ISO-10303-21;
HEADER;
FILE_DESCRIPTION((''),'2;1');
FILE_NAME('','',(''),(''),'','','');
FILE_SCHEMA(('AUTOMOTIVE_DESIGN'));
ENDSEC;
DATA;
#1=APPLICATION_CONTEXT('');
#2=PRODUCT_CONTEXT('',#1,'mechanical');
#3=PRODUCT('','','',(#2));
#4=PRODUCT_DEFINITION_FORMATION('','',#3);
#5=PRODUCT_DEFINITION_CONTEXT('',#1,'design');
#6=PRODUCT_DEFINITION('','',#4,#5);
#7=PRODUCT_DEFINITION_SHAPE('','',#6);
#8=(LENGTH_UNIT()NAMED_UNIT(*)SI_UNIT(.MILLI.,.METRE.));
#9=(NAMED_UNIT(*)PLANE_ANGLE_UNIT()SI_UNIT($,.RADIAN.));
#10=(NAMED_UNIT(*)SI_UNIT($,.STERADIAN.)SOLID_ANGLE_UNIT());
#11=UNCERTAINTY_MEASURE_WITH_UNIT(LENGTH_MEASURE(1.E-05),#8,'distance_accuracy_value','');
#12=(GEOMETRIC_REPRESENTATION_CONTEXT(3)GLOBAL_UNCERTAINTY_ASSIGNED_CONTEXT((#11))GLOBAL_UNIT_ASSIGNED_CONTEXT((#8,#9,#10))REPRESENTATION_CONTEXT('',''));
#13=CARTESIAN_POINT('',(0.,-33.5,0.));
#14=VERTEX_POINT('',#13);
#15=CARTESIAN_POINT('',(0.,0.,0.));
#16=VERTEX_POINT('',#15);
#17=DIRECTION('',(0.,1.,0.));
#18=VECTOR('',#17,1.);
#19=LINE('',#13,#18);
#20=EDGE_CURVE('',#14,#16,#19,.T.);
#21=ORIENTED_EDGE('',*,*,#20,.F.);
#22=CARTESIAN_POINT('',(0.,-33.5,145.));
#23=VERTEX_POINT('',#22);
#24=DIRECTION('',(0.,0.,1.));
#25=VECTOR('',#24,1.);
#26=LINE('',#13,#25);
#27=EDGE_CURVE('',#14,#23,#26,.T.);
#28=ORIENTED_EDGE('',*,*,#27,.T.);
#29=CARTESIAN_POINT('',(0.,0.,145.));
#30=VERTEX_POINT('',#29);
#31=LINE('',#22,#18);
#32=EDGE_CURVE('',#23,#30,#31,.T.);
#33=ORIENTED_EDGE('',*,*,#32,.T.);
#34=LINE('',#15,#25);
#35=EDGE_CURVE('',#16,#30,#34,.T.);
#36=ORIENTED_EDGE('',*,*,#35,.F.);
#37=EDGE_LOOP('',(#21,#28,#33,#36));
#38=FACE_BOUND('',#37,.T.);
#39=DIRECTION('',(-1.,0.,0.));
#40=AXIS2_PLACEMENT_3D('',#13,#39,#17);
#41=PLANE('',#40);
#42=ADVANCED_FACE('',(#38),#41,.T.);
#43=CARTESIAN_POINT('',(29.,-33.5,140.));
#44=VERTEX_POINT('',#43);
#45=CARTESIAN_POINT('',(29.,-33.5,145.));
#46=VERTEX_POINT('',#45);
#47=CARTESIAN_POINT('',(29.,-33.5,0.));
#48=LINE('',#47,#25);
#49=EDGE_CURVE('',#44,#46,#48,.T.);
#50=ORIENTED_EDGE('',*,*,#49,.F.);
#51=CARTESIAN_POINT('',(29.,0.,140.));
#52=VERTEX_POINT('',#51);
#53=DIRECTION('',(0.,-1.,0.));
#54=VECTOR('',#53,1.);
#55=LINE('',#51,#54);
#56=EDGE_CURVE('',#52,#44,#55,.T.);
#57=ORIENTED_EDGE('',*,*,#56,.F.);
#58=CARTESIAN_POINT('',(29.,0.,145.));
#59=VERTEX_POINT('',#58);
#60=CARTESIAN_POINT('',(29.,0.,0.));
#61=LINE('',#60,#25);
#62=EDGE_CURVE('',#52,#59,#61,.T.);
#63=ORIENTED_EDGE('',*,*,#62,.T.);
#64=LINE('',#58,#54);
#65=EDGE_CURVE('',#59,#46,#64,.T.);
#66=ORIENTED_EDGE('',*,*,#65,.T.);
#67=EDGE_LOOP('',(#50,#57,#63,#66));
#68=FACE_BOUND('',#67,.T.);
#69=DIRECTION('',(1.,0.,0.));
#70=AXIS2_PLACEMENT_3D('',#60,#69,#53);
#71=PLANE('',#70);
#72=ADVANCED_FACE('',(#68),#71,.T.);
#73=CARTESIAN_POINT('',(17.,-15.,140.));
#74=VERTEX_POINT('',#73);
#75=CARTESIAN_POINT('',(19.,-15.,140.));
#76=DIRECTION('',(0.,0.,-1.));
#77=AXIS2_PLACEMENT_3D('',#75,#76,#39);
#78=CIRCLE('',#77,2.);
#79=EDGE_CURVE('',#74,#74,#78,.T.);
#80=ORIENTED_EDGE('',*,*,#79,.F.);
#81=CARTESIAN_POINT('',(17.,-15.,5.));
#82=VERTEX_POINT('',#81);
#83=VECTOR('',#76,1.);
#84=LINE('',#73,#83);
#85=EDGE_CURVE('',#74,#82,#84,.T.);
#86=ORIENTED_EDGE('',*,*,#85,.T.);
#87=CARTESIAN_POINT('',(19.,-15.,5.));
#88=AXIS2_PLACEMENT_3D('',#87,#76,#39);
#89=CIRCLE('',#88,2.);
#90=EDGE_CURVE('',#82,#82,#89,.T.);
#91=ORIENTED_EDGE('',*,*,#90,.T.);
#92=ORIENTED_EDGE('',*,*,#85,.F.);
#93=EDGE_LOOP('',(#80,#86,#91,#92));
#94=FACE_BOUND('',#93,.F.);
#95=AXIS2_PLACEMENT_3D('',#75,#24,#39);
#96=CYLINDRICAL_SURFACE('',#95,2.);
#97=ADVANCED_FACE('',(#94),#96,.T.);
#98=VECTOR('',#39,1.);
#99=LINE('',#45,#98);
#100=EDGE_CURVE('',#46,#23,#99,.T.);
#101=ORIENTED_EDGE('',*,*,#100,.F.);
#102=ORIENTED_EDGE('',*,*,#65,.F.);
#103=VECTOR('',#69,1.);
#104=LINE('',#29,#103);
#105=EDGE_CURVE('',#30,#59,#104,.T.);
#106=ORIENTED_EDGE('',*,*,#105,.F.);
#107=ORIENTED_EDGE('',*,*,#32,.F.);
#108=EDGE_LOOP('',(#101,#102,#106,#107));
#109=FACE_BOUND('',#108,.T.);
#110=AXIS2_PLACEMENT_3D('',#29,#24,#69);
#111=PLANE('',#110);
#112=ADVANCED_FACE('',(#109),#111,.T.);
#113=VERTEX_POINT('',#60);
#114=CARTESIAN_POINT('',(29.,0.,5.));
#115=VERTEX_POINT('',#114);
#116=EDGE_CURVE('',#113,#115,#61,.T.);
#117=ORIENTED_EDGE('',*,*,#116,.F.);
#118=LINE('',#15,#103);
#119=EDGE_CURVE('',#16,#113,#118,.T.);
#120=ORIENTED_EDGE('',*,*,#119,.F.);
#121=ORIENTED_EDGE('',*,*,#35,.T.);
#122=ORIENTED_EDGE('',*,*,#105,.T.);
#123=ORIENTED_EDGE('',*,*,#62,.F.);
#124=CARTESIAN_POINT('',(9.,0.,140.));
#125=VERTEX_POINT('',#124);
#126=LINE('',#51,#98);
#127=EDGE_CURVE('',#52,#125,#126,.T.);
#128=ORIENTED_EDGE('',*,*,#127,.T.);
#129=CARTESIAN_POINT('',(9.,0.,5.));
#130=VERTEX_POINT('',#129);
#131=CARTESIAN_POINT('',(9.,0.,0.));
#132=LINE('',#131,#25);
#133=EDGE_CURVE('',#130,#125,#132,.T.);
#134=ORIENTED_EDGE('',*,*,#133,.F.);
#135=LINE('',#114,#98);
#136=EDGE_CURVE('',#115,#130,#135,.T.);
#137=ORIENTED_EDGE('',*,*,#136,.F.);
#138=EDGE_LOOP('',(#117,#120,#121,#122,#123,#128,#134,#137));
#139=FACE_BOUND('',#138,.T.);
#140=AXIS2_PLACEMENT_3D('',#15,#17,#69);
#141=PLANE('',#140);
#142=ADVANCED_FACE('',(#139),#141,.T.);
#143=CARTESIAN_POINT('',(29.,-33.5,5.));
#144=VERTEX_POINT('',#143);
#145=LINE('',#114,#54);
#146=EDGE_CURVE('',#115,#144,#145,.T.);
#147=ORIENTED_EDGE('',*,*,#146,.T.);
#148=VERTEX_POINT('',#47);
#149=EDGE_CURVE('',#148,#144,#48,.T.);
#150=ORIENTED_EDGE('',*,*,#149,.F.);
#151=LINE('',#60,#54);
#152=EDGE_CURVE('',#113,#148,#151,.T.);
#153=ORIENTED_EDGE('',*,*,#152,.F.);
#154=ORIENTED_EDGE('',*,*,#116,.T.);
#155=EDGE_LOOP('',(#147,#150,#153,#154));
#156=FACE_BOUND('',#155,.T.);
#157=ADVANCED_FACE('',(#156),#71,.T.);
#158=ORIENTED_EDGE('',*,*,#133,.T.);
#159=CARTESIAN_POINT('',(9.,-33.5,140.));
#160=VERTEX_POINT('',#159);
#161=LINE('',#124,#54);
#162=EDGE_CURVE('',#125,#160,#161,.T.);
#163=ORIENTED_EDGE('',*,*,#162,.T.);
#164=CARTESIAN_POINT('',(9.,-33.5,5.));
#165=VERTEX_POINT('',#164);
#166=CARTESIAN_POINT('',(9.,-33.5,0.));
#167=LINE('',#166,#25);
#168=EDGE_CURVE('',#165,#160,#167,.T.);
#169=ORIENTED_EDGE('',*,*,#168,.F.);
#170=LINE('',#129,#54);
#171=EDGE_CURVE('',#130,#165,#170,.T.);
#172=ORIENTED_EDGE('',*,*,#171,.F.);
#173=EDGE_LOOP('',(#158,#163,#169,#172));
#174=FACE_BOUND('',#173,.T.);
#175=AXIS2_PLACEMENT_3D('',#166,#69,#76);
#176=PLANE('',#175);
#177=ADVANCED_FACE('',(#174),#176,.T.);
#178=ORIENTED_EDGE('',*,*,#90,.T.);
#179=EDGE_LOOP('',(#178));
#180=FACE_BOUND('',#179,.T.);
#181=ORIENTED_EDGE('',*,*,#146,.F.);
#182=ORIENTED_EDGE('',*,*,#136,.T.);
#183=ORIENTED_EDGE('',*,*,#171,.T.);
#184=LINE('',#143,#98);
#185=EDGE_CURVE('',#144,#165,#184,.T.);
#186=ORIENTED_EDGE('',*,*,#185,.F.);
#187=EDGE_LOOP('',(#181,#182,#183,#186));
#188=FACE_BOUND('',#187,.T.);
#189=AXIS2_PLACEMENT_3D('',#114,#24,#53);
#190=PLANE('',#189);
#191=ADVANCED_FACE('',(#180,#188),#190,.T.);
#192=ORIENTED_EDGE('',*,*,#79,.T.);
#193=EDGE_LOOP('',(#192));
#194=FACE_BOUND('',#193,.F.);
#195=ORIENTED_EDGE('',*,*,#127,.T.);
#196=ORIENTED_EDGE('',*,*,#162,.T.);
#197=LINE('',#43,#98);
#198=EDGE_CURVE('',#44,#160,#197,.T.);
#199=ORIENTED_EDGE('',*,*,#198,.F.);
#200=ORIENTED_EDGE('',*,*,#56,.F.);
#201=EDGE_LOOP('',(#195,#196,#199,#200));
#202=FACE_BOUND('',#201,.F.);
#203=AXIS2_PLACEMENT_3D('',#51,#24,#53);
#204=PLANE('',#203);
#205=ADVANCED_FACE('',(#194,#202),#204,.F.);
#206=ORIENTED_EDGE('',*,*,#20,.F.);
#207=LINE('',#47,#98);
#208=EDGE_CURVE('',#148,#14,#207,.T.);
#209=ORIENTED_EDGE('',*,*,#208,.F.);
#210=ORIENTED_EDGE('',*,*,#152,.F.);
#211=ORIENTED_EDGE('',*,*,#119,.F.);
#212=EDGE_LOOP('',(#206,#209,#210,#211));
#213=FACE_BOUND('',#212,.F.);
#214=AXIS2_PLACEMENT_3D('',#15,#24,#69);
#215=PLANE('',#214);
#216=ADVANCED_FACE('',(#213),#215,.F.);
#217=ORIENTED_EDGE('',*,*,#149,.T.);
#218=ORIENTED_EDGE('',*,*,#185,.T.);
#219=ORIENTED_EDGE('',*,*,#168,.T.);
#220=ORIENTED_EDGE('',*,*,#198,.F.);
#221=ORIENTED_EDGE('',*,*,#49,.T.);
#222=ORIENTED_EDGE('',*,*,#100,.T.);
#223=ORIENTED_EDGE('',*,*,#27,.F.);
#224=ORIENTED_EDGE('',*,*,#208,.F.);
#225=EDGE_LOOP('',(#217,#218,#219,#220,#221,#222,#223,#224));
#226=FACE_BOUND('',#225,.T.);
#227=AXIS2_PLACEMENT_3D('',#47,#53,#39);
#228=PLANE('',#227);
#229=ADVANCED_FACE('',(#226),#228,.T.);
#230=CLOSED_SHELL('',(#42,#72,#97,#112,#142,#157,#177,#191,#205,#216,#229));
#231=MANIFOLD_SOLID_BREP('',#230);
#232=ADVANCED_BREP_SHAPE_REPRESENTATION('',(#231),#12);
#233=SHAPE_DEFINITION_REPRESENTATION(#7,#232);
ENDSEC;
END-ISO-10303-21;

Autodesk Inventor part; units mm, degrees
ref_plane "YZ Plane" through (0, 0, 0) normal (1, 0, 0) x (0, 1, 0)
ref_plane "XZ Plane" through (0, 0, 0) normal (0, 1, 0) x (-1, 0, 0)
ref_plane "XY Plane" through (0, 0, 0) normal (0, 0, 1) x (1, 0, 0)
sketch "스케치1" plane through (0, 0, 0) normal (0, 0, 1) x (1, 0, 0)
  line L0 (0, 0) -> (29, 0)
  line L1 (29, 0) -> (29, -33.5)
  line L2 (29, -33.5) -> (0, -33.5)
  line L3 (0, -33.5) -> (0, 0)
  dimension "d0" = 29
  dimension "d1" = 33.5
extrude "돌출1" add sketch "스케치1" along normal blind 145
sketch "스케치2" plane through (29, -33.5, 0) normal (1, 0, 0) x (0, 0, -1)
  line L0 (0, 0) -> (0, 33.5) projected
  line L1 (0, 33.5) -> (-145, 33.5) projected
  line L2 (-145, 0) -> (-145, 33.5) projected
  line L3 (0, 0) -> (-145, 0) projected
  line L4 (-140, 33.5) -> (-140, 0)
  line L5 (-5, 33.5) -> (-5, 0)
  dimension "d4" = 5
  dimension "d5" = 5
extrude "돌출2" cut sketch "스케치2" against normal blind 20 contours L3 L4 L1 L5
sketch "스케치3" plane through (29, -33.5, 140) normal (0, 0, -1) x (-1, 0, 0)
  line L0 (0, 0) -> (0, 33.5) projected
  line L1 (20, 0) -> (0, 0) projected
  line L2 (20, 0) -> (20, 33.5) projected
  line L3 (0, 33.5) -> (20, 33.5) projected
  circle A0 centre (10, 18.5) radius 2
  point P0 (29, 33.5)
  dimension "d8" = 4
  dimension "d9" = 10
  dimension "d10" = 18.5
extrude "돌출3" add sketch "스케치3" along normal up to surface (135 mm away) contours A0
properties part number "linear_motor"
